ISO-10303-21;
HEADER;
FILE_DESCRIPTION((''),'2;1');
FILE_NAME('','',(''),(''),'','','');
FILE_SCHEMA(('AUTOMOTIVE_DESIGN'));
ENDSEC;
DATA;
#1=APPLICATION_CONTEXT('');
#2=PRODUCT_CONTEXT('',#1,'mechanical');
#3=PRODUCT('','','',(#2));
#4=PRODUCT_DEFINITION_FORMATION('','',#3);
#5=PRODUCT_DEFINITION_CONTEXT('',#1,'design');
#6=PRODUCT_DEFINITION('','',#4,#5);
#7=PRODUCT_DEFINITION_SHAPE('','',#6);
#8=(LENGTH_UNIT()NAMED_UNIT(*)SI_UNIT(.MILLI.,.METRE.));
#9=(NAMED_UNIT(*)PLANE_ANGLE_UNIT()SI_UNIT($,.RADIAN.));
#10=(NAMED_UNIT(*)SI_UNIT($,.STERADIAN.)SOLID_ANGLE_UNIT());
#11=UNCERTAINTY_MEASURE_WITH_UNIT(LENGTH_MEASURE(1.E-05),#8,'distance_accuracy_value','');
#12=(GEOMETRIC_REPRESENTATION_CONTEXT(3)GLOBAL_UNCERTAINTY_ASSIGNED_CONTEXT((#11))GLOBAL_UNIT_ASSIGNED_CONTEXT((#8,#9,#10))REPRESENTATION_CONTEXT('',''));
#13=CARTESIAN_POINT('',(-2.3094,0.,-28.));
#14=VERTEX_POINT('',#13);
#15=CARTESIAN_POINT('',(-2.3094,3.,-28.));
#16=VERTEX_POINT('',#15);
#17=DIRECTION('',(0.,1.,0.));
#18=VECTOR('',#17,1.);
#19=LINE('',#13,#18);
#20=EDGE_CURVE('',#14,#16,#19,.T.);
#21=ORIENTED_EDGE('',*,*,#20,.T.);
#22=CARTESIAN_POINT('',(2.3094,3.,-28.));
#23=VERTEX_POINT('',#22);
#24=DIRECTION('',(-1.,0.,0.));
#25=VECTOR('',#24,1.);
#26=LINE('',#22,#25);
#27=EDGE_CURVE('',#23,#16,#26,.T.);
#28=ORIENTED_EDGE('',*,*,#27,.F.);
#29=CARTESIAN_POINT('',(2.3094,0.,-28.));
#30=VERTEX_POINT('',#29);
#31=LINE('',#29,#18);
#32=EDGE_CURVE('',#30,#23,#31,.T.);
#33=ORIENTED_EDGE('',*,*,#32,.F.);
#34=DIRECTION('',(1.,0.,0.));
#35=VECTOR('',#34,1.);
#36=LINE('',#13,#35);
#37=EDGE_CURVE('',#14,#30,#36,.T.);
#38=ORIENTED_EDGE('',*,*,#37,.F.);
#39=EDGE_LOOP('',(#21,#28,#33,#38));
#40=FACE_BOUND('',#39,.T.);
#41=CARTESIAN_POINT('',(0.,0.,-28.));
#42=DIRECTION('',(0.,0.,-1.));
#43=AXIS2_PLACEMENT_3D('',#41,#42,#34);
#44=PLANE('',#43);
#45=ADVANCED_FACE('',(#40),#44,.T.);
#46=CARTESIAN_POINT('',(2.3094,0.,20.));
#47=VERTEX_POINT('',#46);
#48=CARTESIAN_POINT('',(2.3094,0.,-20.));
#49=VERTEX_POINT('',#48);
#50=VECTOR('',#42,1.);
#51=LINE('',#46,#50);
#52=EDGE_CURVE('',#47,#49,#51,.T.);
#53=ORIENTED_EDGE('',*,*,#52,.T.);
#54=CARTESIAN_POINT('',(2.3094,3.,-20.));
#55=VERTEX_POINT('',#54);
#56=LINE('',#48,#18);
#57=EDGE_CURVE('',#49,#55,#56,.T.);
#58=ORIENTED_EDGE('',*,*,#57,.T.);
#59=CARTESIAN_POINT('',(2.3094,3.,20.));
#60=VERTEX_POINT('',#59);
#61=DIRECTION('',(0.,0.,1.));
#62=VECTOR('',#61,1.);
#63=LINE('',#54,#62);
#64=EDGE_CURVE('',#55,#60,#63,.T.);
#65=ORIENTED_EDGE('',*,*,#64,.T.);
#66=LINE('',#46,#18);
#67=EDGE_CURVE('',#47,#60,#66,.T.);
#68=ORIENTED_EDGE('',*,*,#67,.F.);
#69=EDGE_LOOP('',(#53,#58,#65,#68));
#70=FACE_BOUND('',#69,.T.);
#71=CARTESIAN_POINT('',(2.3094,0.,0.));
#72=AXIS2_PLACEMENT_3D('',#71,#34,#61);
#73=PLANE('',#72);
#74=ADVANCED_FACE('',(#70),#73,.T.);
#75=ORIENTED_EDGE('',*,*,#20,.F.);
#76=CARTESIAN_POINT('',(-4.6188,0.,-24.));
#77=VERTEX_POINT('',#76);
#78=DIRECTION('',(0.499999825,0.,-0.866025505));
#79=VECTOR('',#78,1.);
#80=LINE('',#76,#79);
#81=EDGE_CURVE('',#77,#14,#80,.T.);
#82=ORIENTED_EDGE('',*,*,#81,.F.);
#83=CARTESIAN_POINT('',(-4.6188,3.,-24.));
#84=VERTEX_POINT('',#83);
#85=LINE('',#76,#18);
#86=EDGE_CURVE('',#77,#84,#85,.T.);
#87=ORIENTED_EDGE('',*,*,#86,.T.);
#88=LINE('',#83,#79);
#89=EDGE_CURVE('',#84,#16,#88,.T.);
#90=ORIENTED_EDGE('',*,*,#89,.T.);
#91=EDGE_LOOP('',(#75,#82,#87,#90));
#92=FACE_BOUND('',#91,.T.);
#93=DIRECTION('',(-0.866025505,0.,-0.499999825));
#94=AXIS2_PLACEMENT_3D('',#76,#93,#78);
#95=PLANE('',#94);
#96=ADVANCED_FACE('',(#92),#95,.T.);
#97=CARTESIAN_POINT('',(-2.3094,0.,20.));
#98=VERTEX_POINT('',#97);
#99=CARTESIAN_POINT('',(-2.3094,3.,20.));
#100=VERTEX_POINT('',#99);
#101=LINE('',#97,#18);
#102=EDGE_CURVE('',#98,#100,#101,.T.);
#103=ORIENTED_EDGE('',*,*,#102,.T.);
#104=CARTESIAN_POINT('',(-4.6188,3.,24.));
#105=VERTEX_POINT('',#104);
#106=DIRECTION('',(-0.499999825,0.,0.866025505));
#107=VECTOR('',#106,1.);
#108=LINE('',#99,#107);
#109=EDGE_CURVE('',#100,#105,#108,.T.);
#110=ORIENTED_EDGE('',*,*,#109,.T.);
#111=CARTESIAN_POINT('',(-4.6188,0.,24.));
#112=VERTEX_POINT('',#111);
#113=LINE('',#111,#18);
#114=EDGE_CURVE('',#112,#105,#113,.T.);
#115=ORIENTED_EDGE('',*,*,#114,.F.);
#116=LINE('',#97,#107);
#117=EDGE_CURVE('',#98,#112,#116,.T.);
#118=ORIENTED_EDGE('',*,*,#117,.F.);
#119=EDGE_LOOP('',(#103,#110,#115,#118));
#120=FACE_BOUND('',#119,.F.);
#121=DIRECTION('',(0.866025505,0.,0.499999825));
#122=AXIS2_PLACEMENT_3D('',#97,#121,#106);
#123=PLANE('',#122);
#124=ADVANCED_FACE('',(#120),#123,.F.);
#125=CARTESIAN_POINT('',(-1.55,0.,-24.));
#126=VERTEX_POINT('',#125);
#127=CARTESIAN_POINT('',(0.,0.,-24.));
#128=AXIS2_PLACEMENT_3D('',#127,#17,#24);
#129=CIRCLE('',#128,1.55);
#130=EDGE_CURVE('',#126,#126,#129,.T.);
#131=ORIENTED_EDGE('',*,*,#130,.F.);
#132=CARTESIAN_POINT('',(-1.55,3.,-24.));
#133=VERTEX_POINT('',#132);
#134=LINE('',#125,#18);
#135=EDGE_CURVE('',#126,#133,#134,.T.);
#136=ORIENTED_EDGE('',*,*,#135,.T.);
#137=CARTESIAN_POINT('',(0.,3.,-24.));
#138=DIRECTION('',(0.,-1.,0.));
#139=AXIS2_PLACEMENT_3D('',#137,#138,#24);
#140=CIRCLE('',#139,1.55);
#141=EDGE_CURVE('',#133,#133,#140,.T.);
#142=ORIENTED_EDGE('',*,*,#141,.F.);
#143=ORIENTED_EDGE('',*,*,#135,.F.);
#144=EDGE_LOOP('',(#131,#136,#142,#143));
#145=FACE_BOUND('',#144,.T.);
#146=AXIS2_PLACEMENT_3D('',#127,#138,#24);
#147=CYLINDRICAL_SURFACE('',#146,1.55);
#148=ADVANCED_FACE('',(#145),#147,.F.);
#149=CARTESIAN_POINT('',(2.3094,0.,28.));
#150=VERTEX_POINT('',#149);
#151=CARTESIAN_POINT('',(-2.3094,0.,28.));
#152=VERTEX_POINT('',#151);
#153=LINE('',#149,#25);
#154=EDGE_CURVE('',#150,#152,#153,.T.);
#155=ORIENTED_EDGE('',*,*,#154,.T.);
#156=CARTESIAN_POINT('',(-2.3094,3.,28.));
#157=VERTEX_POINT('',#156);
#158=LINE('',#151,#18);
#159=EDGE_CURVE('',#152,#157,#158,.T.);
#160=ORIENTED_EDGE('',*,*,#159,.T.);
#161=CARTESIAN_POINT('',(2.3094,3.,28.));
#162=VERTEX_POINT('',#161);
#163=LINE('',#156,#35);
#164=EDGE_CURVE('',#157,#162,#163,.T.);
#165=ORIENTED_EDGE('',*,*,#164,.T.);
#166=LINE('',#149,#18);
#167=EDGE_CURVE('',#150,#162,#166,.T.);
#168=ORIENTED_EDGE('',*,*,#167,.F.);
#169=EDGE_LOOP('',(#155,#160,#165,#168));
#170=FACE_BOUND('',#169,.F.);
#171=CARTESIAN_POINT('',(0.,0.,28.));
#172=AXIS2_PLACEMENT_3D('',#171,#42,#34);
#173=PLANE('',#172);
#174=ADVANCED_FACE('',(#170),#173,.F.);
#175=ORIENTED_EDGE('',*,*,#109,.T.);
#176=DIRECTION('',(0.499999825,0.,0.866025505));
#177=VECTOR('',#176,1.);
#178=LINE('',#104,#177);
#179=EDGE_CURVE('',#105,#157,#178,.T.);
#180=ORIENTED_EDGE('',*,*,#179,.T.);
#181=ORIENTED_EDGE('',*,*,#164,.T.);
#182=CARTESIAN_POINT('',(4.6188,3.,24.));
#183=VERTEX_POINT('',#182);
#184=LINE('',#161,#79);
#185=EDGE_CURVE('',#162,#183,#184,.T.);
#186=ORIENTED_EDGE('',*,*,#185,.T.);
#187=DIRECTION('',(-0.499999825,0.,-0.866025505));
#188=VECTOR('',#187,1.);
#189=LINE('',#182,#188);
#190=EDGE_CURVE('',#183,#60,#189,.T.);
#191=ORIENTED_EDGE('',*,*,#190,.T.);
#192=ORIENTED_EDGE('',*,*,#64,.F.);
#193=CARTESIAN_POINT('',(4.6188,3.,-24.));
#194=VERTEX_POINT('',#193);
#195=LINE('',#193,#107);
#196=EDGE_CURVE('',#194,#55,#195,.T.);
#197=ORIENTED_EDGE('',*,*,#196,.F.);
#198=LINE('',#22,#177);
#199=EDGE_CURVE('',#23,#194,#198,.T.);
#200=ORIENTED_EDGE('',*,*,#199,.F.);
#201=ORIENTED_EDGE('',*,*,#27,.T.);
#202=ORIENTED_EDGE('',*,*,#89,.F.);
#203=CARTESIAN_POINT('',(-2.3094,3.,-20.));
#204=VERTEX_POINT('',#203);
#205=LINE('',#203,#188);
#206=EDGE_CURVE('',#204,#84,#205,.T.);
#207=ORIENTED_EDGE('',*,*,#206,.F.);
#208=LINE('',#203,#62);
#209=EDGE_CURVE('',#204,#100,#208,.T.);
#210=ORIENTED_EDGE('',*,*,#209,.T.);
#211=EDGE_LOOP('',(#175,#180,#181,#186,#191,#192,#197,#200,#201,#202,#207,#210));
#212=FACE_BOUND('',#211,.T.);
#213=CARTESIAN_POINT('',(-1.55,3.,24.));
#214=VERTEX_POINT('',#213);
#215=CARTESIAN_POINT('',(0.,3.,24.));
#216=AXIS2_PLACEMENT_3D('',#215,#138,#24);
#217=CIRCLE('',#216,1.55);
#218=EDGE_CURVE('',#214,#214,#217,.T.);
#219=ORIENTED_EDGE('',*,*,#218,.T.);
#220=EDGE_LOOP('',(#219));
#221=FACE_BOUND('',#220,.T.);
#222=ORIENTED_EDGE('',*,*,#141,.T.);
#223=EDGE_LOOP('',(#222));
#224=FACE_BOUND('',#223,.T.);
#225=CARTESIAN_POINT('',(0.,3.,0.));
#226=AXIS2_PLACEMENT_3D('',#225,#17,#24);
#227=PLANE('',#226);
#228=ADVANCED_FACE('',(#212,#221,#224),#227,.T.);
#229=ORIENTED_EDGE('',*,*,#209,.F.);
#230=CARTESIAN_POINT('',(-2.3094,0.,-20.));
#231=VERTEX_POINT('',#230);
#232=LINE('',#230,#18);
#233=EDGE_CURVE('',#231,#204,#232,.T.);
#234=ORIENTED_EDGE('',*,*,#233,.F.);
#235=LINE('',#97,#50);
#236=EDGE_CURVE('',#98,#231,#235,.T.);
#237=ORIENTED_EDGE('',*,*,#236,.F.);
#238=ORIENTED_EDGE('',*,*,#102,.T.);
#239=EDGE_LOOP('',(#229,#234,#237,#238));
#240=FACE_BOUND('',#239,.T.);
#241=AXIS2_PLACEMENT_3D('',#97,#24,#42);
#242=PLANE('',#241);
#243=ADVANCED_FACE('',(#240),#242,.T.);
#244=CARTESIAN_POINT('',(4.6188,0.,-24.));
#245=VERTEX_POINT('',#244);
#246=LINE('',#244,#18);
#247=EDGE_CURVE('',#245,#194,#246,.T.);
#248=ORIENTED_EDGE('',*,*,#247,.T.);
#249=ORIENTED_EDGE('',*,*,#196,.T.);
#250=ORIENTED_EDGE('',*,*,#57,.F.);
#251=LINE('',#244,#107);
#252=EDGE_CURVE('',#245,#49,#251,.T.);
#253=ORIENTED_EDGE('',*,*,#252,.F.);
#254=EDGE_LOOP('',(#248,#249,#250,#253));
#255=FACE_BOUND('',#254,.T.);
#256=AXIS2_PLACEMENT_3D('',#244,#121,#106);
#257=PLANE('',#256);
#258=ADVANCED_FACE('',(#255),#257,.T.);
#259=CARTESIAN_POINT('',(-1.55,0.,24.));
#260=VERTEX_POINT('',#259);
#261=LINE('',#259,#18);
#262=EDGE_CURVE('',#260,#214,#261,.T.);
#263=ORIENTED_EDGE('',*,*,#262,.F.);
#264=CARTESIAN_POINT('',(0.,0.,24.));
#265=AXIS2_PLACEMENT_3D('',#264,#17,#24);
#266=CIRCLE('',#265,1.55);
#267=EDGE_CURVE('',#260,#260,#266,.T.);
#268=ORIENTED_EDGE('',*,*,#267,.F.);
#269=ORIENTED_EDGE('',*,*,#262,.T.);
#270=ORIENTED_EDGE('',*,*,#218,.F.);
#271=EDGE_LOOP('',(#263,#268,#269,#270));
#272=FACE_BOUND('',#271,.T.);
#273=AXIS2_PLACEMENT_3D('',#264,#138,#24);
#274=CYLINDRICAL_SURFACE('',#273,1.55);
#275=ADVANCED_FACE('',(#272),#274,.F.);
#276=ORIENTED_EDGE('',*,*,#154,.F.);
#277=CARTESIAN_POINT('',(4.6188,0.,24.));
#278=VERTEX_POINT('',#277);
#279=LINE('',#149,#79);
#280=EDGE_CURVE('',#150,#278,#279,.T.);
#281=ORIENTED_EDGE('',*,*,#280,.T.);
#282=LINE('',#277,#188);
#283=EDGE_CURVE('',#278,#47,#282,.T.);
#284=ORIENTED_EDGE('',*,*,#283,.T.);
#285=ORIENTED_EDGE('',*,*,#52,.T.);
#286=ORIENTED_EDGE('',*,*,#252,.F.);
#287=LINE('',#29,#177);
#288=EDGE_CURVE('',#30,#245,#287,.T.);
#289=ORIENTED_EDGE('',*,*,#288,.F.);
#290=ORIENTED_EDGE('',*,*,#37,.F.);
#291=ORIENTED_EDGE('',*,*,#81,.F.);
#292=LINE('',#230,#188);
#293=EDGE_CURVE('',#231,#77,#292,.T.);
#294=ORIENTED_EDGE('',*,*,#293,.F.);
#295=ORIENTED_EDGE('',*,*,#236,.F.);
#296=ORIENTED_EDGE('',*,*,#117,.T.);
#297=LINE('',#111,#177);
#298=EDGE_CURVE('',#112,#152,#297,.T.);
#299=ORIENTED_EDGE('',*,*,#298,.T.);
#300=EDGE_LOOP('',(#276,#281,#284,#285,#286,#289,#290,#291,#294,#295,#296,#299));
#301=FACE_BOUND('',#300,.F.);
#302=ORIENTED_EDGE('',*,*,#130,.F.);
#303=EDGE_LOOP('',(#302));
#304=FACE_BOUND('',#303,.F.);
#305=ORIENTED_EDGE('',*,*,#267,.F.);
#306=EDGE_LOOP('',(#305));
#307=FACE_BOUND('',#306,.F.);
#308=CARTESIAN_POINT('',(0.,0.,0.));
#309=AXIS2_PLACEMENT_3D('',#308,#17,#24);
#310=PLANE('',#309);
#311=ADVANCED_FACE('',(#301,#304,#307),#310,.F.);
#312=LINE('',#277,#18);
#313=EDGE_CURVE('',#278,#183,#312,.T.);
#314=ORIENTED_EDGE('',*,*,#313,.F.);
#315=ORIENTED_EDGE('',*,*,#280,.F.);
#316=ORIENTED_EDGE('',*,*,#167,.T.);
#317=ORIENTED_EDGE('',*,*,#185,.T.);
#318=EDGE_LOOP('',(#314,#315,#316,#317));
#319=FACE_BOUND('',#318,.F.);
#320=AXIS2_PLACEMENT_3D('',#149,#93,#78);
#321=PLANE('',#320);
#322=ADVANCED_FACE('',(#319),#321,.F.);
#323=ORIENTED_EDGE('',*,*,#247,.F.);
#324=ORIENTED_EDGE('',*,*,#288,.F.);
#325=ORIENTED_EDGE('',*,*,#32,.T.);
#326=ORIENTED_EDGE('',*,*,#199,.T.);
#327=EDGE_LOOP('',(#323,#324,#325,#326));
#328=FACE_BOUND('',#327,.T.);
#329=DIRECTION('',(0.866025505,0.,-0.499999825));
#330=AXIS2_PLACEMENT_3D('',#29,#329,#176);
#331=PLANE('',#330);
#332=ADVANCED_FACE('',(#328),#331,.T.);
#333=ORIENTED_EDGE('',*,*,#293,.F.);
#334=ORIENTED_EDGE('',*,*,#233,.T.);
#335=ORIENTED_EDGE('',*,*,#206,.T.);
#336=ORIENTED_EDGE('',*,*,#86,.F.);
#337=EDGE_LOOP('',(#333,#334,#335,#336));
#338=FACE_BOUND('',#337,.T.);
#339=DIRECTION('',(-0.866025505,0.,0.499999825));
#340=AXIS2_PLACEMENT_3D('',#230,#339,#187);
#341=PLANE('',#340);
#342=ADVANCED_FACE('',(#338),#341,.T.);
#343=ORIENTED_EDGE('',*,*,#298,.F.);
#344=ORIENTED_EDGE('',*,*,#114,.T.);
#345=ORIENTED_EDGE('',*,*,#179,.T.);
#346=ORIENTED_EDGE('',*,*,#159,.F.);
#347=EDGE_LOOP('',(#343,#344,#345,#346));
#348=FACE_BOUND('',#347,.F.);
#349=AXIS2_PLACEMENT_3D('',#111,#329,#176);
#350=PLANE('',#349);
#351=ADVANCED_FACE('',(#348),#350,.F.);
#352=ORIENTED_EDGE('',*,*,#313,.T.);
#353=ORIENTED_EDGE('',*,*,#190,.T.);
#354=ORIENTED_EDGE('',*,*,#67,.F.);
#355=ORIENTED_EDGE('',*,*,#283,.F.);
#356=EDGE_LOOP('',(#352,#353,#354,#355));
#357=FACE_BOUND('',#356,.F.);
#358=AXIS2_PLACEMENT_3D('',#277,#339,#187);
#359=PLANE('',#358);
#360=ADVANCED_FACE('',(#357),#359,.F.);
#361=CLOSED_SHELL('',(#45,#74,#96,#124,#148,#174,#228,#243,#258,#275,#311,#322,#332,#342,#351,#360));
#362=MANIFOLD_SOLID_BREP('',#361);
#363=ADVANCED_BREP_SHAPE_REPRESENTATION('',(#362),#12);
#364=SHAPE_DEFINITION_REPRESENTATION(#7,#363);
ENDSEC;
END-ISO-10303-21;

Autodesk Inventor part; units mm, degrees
ref_plane "YZ Plane" through (0, 0, 0) normal (1, 0, 0) x (0, 1, 0)
ref_plane "XZ Plane" through (0, 0, 0) normal (0, 1, 0) x (-1, 0, 0)
ref_plane "XY Plane" through (0, 0, 0) normal (0, 0, 1) x (1, 0, 0)
sketch "Sketch1" plane through (0, 0, 0) normal (0, 1, 0) x (-1, 0, 0)
  line L0 (-2.3094, 20) -> (2.3094, 20)
  line L1 (2.3094, 20) -> (2.3094, -20)
  line L2 (2.3094, -20) -> (-2.3094, -20)
  line L3 (-2.3094, -20) -> (-2.3094, 20)
  line L4 (-2.3094, 20) -> (2.3094, -20) construction
  line L5 (2.3094, 20) -> (-2.3094, -20) construction
  line L6 (-2.3094, -20) -> (2.3094, -20)
  line L7 (2.3094, -20) -> (4.6188, -24)
  line L8 (4.6188, -24) -> (2.3094, -28)
  line L9 (2.3094, -28) -> (-2.3094, -28)
  line L10 (-2.3094, -28) -> (-4.6188, -24)
  line L11 (-4.6188, -24) -> (-2.3094, -20)
  line L12 (0, -39.2) -> (0, 39.2) projected
  line L13 (6.4663, 0) -> (-6.4663, 0) projected
  line L14 (2.3094, 20) -> (-2.3094, 20)
  line L15 (-2.3094, 20) -> (2.3094, 20)
  line L16 (2.3094, 20) -> (4.6188, 24)
  line L17 (4.6188, 24) -> (2.3094, 28)
  line L18 (2.3094, 28) -> (-2.3094, 28)
  line L19 (-2.3094, 28) -> (-4.6188, 24)
  line L20 (-4.6188, 24) -> (-2.3094, 20)
  circle A0 centre (0, -24) radius 1.55
  circle A1 centre (0, 24) radius 1.55
  point P0 (0, 0)
  point P1 (-2.3094, 20)
  point P2 (-2.3094, -20)
  dimension "d1" = 40
  dimension "d2" = 8
  dimension "d3" = 3.1
  dimension "d4" = 3.1
extrude "Extrusion1" add sketch "Sketch1" along normal blind 3 contours L20 L19 L18 L12 A1 L0 | L0 L12 L13 L3 | L12 A1 L18 L17 L16 L0 | L0 L1 L13 L12 | L13 L12 L2 L3 | L13 L1 L2 L12 | L2 L12 A0 L9 L10 L11 | L2 L7 L8 L9 L12 A0
equation "\"d2\" = M3ScrewInsertBrim"
equation "\"d3\" = M3ScrewDia"
equation "\"d4\" = M3ScrewDia"
equation "\"M3ScrewInsertBrim\" = 8"
equation "\"M3ScrewDia\" = 3.1"
properties part number "HexServoCover" material "PETG"
